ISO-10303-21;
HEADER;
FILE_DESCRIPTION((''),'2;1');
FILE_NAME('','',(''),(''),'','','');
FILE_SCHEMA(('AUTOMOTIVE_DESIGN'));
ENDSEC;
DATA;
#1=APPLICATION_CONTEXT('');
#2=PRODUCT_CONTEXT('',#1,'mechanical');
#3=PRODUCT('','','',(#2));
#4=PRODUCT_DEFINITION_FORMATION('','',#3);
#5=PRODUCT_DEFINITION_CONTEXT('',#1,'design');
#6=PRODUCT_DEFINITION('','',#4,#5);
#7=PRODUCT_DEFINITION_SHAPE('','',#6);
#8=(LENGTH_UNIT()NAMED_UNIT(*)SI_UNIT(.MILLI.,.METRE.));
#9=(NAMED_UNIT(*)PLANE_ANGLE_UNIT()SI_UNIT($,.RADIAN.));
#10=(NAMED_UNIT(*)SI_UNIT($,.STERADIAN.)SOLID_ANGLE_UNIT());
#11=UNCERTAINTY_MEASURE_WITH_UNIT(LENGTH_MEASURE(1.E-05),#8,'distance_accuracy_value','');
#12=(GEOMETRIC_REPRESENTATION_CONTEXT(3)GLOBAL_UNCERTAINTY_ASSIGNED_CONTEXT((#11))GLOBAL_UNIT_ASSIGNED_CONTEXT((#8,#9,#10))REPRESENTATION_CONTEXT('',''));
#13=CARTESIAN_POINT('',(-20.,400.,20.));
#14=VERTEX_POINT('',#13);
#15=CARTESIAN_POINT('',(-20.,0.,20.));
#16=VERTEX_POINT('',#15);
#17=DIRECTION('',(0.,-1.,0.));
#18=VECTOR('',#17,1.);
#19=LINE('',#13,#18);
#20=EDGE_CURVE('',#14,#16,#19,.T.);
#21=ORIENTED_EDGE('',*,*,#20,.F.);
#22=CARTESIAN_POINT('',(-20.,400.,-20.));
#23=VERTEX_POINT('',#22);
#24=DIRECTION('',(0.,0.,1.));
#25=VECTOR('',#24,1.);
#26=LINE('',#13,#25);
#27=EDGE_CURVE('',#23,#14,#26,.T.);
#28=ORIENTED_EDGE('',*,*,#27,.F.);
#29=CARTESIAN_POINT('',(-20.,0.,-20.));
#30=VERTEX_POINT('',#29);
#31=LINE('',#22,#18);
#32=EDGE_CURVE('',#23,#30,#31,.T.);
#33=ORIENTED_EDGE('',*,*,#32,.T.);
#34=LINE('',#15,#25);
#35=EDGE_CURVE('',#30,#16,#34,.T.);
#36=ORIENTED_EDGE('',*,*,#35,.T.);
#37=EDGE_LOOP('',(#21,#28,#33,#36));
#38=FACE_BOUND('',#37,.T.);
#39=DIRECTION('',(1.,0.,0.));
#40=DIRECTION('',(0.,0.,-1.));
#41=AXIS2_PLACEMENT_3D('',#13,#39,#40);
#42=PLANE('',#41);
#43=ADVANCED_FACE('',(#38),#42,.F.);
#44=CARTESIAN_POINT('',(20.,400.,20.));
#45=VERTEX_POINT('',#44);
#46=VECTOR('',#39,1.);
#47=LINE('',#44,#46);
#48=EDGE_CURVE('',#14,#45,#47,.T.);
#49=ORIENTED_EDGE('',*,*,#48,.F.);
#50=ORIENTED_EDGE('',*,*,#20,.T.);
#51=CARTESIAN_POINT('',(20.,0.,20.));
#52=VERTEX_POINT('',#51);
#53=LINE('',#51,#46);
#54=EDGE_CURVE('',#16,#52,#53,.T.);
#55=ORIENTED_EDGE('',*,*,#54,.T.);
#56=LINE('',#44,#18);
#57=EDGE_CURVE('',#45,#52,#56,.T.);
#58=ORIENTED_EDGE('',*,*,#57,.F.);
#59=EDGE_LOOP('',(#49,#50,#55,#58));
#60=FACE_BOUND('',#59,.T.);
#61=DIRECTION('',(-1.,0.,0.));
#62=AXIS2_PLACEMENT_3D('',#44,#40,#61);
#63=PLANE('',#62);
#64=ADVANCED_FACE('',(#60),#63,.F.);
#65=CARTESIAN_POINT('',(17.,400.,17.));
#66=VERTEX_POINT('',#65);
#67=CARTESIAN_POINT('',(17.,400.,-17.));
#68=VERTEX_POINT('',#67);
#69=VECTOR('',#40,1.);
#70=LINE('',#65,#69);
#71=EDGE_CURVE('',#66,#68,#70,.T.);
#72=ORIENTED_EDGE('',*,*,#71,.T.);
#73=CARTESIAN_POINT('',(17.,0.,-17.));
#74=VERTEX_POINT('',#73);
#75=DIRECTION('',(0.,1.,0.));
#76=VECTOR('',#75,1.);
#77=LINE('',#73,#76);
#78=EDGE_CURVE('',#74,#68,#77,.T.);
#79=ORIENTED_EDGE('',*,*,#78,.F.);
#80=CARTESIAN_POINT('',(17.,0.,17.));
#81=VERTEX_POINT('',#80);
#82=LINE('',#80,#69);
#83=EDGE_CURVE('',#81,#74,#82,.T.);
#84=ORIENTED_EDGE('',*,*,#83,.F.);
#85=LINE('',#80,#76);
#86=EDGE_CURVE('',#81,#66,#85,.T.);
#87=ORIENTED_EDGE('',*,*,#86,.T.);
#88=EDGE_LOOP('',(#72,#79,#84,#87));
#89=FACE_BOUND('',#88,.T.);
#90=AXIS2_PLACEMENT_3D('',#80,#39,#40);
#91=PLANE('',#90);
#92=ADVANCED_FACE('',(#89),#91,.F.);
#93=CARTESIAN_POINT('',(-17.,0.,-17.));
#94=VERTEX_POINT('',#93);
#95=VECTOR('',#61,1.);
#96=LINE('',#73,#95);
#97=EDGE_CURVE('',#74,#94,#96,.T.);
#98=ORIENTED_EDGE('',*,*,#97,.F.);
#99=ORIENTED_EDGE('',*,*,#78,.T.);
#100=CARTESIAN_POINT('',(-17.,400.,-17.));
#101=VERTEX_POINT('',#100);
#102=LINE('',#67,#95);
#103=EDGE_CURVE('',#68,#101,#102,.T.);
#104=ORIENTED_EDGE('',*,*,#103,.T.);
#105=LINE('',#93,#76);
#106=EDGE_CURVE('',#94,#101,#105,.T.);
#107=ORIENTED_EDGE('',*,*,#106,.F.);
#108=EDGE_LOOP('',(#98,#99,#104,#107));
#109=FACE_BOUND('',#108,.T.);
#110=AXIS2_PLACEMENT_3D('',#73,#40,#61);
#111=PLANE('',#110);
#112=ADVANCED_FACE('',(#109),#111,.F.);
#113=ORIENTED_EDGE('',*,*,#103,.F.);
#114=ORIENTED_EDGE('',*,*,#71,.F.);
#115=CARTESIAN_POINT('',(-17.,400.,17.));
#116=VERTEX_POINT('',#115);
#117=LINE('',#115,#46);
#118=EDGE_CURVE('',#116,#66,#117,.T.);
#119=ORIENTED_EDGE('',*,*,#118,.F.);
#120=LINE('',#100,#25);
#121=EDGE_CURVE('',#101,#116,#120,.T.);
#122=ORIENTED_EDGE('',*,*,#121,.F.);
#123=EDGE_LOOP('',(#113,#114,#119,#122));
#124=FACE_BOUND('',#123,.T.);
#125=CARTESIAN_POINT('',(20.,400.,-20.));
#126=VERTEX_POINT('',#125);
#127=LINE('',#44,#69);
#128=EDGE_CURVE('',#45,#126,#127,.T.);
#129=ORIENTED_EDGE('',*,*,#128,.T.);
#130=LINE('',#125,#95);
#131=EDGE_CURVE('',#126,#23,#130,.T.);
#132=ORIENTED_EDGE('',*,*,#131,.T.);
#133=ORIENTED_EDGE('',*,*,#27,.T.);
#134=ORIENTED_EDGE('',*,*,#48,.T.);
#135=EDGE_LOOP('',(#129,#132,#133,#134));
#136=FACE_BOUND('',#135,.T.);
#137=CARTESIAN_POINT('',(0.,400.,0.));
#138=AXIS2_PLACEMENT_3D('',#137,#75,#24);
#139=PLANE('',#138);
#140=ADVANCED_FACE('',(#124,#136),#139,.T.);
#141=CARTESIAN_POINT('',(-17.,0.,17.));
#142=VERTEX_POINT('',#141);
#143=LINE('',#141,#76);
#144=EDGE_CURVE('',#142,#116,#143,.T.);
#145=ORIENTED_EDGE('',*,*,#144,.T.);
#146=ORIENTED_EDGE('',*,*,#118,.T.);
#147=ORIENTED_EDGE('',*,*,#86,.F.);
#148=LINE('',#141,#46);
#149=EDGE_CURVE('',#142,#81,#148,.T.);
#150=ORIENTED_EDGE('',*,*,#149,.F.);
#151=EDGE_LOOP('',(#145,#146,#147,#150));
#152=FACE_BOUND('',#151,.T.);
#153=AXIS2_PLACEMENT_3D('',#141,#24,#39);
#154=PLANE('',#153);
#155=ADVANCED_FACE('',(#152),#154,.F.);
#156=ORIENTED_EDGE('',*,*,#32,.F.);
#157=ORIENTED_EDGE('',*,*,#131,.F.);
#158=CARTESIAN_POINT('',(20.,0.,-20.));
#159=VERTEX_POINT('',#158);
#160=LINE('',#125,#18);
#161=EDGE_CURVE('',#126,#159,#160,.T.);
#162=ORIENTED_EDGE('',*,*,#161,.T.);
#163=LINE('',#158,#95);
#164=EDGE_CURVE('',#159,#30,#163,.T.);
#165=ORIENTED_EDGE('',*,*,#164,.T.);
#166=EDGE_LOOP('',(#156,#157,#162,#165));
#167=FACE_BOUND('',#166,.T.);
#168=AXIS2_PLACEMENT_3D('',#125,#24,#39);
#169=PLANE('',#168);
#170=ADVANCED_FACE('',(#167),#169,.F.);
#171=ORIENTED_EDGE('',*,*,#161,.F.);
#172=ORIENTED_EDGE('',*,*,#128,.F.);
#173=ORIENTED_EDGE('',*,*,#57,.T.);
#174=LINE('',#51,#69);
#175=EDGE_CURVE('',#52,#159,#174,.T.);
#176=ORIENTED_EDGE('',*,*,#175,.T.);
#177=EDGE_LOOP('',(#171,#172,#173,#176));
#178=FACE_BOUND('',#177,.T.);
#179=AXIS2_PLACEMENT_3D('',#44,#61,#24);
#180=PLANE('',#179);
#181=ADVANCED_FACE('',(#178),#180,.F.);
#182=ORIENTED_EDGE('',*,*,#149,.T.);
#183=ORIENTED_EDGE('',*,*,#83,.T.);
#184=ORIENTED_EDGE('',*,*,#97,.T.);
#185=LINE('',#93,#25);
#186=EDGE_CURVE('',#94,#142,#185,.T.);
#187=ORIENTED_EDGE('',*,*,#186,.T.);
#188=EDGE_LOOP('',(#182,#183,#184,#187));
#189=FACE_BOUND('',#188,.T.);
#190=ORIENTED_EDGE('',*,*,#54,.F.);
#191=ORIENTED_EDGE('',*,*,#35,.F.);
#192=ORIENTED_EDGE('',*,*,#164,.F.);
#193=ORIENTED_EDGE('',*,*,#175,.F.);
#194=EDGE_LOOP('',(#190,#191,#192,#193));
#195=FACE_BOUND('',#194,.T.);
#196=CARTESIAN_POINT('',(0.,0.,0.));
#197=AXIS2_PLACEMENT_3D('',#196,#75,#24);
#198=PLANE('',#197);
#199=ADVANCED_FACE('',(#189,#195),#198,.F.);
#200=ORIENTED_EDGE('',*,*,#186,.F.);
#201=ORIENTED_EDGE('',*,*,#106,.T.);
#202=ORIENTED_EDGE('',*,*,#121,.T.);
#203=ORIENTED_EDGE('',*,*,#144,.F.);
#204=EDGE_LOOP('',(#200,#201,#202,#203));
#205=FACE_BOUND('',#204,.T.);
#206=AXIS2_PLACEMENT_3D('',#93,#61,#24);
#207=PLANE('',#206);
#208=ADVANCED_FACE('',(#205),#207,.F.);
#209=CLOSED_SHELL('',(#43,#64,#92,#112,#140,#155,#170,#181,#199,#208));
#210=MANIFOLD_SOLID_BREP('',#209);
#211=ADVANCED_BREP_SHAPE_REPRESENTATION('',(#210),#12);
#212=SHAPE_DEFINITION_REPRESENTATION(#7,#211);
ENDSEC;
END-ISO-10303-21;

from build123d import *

# Parameters (mm, degrees)
SKETCH2_W           = 40
SKETCH2_H           = 40
BOSS_EXTRUDE2_DEPTH = 400
SKETCH3_W           = 34
SKETCH3_H           = 34
CUT_EXTRUDE1_DEPTH  = 401


with BuildPart() as part:
    # Sketch2 → Boss-Extrude2 (new body)
    with BuildSketch(Plane(origin=(0, 0, 0), x_dir=(1, 0, 0), z_dir=(0, 1, 0))):
        Rectangle(SKETCH2_W, SKETCH2_H)
    extrude(amount=BOSS_EXTRUDE2_DEPTH)

    # Sketch3 → Cut-Extrude1 (cut, through all)
    with BuildSketch(Plane(origin=(0, 400, 0), x_dir=(1, 0, 0), z_dir=(0, 1, 0))):
        Rectangle(SKETCH3_W, SKETCH3_H)
    extrude(amount=-CUT_EXTRUDE1_DEPTH, mode=Mode.SUBTRACT)


solid = part.part
